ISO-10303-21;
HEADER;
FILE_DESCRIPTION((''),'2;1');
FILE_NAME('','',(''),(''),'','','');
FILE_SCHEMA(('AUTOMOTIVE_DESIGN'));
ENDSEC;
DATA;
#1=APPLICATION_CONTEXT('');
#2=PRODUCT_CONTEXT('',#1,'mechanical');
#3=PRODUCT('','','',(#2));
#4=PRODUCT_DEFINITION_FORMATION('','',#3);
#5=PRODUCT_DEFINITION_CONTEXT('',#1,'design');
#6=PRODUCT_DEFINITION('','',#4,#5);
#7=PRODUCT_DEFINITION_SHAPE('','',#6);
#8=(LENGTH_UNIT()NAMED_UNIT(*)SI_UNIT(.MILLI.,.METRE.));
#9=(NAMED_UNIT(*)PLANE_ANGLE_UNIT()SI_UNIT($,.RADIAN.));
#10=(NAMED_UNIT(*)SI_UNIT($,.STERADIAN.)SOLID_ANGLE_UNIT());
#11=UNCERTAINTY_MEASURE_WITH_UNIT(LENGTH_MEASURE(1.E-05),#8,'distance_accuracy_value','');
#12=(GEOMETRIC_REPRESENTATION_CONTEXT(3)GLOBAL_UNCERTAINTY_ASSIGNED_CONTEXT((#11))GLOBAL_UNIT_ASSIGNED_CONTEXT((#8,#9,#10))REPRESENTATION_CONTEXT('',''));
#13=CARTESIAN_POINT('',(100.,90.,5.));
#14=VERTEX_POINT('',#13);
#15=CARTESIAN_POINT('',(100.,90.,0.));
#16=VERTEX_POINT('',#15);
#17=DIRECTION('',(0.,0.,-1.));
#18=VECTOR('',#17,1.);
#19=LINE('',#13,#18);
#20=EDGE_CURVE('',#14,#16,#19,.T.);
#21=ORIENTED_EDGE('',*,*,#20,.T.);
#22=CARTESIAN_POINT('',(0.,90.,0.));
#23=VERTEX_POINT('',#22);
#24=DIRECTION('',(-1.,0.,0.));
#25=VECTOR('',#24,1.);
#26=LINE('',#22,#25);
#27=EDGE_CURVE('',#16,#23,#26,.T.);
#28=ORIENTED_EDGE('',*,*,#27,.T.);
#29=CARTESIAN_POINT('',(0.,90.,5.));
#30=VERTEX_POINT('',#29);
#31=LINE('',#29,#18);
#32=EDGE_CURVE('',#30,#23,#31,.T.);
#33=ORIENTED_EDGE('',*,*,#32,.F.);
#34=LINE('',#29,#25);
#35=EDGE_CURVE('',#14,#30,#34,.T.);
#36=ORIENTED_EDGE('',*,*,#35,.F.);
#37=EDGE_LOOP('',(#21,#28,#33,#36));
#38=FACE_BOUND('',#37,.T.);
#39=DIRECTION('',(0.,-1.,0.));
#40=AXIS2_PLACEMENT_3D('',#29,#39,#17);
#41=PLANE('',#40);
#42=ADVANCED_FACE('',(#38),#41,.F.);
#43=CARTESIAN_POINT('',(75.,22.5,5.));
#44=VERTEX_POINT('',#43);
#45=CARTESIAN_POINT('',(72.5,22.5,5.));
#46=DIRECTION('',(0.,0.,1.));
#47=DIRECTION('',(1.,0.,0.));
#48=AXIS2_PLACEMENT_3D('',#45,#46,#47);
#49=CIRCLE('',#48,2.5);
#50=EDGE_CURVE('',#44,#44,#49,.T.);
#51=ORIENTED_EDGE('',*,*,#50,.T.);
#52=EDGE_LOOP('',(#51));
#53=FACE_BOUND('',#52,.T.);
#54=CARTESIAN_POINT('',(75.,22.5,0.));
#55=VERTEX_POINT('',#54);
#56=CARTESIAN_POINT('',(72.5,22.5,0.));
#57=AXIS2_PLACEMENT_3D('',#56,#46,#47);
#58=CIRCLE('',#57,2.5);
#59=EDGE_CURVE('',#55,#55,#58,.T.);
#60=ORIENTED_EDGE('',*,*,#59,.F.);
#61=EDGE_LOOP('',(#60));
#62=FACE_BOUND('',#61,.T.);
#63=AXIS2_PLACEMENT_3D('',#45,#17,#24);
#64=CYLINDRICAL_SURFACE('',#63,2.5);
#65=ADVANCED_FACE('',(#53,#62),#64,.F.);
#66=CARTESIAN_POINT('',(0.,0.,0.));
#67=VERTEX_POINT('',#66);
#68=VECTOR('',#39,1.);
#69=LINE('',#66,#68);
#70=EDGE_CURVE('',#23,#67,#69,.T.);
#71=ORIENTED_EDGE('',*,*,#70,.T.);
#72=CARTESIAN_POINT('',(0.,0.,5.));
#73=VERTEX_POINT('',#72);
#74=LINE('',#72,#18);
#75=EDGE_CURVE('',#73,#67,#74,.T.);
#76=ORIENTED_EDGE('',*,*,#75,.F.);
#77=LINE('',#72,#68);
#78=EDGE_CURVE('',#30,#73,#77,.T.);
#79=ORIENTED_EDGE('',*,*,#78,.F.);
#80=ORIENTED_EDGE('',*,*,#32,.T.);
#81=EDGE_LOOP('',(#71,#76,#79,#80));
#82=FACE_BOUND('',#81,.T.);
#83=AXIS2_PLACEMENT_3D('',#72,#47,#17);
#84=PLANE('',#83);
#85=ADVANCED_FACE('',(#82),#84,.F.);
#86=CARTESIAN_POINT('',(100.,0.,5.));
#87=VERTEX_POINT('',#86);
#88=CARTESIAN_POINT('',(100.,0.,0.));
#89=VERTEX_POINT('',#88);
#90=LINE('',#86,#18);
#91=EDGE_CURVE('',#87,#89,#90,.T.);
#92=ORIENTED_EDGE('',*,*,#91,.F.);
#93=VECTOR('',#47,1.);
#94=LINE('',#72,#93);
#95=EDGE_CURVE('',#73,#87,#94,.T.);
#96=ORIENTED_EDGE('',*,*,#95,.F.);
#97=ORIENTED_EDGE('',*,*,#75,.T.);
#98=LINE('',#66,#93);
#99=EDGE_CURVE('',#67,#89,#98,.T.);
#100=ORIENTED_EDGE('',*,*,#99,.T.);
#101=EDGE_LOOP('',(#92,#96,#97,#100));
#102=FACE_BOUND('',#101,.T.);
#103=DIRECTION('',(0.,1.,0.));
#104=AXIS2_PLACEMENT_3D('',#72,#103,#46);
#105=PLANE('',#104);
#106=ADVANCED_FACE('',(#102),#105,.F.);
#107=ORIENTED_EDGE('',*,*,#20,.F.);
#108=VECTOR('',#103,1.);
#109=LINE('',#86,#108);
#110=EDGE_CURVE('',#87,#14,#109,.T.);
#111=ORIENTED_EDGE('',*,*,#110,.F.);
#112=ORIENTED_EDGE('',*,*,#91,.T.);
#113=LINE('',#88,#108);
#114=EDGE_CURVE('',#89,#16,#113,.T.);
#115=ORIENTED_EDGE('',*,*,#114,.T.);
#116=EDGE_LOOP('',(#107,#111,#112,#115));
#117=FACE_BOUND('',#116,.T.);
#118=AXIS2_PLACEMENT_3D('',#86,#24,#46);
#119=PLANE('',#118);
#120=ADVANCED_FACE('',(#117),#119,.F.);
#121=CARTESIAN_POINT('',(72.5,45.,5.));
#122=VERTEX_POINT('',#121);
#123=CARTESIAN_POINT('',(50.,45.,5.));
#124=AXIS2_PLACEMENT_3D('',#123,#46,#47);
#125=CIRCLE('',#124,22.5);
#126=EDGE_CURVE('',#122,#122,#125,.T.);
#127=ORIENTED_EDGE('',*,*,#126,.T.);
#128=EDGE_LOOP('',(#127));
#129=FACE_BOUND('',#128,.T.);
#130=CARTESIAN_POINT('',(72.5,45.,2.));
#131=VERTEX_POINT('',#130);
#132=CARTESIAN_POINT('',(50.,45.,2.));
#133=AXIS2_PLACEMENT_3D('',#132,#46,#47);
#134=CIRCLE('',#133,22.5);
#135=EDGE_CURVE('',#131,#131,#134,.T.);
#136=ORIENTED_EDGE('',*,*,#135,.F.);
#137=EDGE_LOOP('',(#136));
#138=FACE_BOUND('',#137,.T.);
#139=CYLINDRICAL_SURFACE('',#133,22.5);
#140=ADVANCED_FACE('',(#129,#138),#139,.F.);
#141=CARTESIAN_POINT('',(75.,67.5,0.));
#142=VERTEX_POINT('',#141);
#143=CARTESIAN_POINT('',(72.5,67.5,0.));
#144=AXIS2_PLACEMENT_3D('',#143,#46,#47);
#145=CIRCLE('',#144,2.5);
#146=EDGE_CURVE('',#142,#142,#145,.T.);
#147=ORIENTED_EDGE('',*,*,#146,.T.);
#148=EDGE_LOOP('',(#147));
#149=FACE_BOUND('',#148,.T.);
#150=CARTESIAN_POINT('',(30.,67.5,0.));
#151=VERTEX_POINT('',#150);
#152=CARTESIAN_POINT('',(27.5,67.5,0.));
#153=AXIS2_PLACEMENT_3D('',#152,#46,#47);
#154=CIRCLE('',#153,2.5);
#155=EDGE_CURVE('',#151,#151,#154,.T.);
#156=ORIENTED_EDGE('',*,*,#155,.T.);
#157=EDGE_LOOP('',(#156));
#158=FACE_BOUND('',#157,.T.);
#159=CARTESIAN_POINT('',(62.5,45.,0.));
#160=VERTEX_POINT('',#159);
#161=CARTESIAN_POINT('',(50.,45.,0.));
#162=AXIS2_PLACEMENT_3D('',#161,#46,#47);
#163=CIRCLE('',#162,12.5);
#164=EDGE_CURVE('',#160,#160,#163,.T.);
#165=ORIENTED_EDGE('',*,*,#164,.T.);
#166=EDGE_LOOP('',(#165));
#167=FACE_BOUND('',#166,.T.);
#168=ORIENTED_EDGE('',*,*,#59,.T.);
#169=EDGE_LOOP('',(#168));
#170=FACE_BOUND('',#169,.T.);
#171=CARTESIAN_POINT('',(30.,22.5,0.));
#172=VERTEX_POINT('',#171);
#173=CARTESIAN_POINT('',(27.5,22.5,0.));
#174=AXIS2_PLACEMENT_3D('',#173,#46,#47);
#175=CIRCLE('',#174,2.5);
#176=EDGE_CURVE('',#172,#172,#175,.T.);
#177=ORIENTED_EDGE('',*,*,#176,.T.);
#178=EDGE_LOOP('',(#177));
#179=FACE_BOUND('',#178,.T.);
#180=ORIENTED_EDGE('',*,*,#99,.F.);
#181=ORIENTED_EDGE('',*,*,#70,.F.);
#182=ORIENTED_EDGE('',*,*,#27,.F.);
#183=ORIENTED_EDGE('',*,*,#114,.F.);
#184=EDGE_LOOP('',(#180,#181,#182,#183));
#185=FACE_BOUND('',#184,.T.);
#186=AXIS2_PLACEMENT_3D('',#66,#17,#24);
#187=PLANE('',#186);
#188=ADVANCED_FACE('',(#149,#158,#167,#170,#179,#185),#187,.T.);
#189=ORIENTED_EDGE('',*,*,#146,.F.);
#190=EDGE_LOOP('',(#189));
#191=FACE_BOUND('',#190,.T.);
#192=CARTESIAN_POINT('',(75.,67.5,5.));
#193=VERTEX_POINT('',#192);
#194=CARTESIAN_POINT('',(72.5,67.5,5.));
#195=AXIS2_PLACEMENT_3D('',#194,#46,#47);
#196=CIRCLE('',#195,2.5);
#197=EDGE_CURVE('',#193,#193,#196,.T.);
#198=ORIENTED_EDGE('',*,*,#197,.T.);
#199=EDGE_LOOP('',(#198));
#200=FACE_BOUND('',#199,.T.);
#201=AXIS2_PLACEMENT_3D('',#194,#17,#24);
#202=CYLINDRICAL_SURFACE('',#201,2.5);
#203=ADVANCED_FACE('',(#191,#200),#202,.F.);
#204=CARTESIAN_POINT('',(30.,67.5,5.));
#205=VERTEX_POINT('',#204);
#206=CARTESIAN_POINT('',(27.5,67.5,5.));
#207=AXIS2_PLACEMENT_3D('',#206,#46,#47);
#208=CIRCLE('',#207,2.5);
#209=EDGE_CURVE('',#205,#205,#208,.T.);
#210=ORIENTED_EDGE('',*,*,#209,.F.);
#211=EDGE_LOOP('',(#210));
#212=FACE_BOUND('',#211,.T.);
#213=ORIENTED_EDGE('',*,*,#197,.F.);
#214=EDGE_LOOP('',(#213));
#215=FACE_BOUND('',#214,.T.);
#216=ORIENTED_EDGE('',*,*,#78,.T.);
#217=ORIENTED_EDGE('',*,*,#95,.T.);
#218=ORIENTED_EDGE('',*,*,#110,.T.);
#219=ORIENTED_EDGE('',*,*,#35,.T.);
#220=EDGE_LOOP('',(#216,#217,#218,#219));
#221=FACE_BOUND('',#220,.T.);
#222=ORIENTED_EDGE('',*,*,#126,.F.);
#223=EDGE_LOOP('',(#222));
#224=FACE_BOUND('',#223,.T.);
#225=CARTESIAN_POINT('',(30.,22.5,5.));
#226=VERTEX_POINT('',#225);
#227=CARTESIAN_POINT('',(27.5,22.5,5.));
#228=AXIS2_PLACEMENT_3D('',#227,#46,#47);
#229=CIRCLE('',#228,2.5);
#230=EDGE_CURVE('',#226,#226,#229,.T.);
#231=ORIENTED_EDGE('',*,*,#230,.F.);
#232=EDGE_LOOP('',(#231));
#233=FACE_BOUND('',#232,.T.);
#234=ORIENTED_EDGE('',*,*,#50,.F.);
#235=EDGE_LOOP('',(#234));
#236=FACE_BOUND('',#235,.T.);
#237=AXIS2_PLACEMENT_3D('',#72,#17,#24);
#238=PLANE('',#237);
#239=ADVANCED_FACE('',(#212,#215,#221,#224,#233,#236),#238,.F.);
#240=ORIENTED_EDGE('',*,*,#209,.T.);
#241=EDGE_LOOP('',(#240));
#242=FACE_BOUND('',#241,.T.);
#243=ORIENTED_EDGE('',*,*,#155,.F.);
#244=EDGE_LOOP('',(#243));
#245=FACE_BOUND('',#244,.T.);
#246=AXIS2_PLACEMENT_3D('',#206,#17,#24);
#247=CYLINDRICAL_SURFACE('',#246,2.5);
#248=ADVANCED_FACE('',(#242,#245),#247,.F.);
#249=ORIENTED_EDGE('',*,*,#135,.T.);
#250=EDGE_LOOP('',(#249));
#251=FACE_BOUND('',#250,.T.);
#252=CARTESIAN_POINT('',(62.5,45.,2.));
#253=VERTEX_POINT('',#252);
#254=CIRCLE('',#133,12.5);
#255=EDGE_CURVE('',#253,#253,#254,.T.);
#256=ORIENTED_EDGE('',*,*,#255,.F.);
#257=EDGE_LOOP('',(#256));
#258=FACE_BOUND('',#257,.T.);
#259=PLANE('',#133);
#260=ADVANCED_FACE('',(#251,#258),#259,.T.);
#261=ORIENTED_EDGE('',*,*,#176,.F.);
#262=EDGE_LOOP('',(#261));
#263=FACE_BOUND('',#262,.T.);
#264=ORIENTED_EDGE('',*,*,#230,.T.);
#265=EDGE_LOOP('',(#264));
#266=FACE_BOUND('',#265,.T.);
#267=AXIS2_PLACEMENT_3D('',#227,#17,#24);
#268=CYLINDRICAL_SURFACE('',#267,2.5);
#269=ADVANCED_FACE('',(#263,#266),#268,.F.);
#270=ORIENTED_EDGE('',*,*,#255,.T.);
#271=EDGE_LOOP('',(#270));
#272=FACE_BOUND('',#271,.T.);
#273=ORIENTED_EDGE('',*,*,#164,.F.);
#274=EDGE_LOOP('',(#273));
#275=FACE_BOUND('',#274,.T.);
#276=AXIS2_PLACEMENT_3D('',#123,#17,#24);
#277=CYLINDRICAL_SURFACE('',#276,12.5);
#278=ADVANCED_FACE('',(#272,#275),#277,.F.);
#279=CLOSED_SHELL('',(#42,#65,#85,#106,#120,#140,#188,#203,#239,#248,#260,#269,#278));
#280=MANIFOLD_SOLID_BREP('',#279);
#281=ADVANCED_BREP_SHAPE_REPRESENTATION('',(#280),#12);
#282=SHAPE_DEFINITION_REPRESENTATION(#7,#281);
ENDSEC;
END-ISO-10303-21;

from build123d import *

# Parameters (mm, degrees)
SKETCH1_W           = 100
SKETCH1_H           = 90
SKETCH1_R           = 2.5
SKETCH1_R_2         = 12.5
BOSS_EXTRUDE1_DEPTH = 5
SKETCH3_R           = 22.5
CUT_EXTRUDE2_DEPTH  = 3


with BuildPart() as part:
    # Sketch1 → Boss-Extrude1 (new body)
    with BuildSketch(Plane.XY):
        with Locations((50, 45)):
            Rectangle(SKETCH1_W, SKETCH1_H)
        with Locations((27.5, 67.5)):
            Circle(SKETCH1_R, mode=Mode.SUBTRACT)
        with Locations((72.5, 67.5)):
            Circle(SKETCH1_R, mode=Mode.SUBTRACT)
        with Locations((72.5, 22.5)):
            Circle(SKETCH1_R, mode=Mode.SUBTRACT)
        with Locations((27.5, 22.5)):
            Circle(SKETCH1_R, mode=Mode.SUBTRACT)
        with Locations((50, 45)):
            Circle(SKETCH1_R_2, mode=Mode.SUBTRACT)
    extrude(amount=BOSS_EXTRUDE1_DEPTH)

    # Sketch3 → Cut-Extrude2 (cut)
    with BuildSketch(Plane.XY.offset(5)):
        with Locations((50, 45)):
            Circle(SKETCH3_R)
    extrude(amount=-CUT_EXTRUDE2_DEPTH, mode=Mode.SUBTRACT)


solid = part.part
